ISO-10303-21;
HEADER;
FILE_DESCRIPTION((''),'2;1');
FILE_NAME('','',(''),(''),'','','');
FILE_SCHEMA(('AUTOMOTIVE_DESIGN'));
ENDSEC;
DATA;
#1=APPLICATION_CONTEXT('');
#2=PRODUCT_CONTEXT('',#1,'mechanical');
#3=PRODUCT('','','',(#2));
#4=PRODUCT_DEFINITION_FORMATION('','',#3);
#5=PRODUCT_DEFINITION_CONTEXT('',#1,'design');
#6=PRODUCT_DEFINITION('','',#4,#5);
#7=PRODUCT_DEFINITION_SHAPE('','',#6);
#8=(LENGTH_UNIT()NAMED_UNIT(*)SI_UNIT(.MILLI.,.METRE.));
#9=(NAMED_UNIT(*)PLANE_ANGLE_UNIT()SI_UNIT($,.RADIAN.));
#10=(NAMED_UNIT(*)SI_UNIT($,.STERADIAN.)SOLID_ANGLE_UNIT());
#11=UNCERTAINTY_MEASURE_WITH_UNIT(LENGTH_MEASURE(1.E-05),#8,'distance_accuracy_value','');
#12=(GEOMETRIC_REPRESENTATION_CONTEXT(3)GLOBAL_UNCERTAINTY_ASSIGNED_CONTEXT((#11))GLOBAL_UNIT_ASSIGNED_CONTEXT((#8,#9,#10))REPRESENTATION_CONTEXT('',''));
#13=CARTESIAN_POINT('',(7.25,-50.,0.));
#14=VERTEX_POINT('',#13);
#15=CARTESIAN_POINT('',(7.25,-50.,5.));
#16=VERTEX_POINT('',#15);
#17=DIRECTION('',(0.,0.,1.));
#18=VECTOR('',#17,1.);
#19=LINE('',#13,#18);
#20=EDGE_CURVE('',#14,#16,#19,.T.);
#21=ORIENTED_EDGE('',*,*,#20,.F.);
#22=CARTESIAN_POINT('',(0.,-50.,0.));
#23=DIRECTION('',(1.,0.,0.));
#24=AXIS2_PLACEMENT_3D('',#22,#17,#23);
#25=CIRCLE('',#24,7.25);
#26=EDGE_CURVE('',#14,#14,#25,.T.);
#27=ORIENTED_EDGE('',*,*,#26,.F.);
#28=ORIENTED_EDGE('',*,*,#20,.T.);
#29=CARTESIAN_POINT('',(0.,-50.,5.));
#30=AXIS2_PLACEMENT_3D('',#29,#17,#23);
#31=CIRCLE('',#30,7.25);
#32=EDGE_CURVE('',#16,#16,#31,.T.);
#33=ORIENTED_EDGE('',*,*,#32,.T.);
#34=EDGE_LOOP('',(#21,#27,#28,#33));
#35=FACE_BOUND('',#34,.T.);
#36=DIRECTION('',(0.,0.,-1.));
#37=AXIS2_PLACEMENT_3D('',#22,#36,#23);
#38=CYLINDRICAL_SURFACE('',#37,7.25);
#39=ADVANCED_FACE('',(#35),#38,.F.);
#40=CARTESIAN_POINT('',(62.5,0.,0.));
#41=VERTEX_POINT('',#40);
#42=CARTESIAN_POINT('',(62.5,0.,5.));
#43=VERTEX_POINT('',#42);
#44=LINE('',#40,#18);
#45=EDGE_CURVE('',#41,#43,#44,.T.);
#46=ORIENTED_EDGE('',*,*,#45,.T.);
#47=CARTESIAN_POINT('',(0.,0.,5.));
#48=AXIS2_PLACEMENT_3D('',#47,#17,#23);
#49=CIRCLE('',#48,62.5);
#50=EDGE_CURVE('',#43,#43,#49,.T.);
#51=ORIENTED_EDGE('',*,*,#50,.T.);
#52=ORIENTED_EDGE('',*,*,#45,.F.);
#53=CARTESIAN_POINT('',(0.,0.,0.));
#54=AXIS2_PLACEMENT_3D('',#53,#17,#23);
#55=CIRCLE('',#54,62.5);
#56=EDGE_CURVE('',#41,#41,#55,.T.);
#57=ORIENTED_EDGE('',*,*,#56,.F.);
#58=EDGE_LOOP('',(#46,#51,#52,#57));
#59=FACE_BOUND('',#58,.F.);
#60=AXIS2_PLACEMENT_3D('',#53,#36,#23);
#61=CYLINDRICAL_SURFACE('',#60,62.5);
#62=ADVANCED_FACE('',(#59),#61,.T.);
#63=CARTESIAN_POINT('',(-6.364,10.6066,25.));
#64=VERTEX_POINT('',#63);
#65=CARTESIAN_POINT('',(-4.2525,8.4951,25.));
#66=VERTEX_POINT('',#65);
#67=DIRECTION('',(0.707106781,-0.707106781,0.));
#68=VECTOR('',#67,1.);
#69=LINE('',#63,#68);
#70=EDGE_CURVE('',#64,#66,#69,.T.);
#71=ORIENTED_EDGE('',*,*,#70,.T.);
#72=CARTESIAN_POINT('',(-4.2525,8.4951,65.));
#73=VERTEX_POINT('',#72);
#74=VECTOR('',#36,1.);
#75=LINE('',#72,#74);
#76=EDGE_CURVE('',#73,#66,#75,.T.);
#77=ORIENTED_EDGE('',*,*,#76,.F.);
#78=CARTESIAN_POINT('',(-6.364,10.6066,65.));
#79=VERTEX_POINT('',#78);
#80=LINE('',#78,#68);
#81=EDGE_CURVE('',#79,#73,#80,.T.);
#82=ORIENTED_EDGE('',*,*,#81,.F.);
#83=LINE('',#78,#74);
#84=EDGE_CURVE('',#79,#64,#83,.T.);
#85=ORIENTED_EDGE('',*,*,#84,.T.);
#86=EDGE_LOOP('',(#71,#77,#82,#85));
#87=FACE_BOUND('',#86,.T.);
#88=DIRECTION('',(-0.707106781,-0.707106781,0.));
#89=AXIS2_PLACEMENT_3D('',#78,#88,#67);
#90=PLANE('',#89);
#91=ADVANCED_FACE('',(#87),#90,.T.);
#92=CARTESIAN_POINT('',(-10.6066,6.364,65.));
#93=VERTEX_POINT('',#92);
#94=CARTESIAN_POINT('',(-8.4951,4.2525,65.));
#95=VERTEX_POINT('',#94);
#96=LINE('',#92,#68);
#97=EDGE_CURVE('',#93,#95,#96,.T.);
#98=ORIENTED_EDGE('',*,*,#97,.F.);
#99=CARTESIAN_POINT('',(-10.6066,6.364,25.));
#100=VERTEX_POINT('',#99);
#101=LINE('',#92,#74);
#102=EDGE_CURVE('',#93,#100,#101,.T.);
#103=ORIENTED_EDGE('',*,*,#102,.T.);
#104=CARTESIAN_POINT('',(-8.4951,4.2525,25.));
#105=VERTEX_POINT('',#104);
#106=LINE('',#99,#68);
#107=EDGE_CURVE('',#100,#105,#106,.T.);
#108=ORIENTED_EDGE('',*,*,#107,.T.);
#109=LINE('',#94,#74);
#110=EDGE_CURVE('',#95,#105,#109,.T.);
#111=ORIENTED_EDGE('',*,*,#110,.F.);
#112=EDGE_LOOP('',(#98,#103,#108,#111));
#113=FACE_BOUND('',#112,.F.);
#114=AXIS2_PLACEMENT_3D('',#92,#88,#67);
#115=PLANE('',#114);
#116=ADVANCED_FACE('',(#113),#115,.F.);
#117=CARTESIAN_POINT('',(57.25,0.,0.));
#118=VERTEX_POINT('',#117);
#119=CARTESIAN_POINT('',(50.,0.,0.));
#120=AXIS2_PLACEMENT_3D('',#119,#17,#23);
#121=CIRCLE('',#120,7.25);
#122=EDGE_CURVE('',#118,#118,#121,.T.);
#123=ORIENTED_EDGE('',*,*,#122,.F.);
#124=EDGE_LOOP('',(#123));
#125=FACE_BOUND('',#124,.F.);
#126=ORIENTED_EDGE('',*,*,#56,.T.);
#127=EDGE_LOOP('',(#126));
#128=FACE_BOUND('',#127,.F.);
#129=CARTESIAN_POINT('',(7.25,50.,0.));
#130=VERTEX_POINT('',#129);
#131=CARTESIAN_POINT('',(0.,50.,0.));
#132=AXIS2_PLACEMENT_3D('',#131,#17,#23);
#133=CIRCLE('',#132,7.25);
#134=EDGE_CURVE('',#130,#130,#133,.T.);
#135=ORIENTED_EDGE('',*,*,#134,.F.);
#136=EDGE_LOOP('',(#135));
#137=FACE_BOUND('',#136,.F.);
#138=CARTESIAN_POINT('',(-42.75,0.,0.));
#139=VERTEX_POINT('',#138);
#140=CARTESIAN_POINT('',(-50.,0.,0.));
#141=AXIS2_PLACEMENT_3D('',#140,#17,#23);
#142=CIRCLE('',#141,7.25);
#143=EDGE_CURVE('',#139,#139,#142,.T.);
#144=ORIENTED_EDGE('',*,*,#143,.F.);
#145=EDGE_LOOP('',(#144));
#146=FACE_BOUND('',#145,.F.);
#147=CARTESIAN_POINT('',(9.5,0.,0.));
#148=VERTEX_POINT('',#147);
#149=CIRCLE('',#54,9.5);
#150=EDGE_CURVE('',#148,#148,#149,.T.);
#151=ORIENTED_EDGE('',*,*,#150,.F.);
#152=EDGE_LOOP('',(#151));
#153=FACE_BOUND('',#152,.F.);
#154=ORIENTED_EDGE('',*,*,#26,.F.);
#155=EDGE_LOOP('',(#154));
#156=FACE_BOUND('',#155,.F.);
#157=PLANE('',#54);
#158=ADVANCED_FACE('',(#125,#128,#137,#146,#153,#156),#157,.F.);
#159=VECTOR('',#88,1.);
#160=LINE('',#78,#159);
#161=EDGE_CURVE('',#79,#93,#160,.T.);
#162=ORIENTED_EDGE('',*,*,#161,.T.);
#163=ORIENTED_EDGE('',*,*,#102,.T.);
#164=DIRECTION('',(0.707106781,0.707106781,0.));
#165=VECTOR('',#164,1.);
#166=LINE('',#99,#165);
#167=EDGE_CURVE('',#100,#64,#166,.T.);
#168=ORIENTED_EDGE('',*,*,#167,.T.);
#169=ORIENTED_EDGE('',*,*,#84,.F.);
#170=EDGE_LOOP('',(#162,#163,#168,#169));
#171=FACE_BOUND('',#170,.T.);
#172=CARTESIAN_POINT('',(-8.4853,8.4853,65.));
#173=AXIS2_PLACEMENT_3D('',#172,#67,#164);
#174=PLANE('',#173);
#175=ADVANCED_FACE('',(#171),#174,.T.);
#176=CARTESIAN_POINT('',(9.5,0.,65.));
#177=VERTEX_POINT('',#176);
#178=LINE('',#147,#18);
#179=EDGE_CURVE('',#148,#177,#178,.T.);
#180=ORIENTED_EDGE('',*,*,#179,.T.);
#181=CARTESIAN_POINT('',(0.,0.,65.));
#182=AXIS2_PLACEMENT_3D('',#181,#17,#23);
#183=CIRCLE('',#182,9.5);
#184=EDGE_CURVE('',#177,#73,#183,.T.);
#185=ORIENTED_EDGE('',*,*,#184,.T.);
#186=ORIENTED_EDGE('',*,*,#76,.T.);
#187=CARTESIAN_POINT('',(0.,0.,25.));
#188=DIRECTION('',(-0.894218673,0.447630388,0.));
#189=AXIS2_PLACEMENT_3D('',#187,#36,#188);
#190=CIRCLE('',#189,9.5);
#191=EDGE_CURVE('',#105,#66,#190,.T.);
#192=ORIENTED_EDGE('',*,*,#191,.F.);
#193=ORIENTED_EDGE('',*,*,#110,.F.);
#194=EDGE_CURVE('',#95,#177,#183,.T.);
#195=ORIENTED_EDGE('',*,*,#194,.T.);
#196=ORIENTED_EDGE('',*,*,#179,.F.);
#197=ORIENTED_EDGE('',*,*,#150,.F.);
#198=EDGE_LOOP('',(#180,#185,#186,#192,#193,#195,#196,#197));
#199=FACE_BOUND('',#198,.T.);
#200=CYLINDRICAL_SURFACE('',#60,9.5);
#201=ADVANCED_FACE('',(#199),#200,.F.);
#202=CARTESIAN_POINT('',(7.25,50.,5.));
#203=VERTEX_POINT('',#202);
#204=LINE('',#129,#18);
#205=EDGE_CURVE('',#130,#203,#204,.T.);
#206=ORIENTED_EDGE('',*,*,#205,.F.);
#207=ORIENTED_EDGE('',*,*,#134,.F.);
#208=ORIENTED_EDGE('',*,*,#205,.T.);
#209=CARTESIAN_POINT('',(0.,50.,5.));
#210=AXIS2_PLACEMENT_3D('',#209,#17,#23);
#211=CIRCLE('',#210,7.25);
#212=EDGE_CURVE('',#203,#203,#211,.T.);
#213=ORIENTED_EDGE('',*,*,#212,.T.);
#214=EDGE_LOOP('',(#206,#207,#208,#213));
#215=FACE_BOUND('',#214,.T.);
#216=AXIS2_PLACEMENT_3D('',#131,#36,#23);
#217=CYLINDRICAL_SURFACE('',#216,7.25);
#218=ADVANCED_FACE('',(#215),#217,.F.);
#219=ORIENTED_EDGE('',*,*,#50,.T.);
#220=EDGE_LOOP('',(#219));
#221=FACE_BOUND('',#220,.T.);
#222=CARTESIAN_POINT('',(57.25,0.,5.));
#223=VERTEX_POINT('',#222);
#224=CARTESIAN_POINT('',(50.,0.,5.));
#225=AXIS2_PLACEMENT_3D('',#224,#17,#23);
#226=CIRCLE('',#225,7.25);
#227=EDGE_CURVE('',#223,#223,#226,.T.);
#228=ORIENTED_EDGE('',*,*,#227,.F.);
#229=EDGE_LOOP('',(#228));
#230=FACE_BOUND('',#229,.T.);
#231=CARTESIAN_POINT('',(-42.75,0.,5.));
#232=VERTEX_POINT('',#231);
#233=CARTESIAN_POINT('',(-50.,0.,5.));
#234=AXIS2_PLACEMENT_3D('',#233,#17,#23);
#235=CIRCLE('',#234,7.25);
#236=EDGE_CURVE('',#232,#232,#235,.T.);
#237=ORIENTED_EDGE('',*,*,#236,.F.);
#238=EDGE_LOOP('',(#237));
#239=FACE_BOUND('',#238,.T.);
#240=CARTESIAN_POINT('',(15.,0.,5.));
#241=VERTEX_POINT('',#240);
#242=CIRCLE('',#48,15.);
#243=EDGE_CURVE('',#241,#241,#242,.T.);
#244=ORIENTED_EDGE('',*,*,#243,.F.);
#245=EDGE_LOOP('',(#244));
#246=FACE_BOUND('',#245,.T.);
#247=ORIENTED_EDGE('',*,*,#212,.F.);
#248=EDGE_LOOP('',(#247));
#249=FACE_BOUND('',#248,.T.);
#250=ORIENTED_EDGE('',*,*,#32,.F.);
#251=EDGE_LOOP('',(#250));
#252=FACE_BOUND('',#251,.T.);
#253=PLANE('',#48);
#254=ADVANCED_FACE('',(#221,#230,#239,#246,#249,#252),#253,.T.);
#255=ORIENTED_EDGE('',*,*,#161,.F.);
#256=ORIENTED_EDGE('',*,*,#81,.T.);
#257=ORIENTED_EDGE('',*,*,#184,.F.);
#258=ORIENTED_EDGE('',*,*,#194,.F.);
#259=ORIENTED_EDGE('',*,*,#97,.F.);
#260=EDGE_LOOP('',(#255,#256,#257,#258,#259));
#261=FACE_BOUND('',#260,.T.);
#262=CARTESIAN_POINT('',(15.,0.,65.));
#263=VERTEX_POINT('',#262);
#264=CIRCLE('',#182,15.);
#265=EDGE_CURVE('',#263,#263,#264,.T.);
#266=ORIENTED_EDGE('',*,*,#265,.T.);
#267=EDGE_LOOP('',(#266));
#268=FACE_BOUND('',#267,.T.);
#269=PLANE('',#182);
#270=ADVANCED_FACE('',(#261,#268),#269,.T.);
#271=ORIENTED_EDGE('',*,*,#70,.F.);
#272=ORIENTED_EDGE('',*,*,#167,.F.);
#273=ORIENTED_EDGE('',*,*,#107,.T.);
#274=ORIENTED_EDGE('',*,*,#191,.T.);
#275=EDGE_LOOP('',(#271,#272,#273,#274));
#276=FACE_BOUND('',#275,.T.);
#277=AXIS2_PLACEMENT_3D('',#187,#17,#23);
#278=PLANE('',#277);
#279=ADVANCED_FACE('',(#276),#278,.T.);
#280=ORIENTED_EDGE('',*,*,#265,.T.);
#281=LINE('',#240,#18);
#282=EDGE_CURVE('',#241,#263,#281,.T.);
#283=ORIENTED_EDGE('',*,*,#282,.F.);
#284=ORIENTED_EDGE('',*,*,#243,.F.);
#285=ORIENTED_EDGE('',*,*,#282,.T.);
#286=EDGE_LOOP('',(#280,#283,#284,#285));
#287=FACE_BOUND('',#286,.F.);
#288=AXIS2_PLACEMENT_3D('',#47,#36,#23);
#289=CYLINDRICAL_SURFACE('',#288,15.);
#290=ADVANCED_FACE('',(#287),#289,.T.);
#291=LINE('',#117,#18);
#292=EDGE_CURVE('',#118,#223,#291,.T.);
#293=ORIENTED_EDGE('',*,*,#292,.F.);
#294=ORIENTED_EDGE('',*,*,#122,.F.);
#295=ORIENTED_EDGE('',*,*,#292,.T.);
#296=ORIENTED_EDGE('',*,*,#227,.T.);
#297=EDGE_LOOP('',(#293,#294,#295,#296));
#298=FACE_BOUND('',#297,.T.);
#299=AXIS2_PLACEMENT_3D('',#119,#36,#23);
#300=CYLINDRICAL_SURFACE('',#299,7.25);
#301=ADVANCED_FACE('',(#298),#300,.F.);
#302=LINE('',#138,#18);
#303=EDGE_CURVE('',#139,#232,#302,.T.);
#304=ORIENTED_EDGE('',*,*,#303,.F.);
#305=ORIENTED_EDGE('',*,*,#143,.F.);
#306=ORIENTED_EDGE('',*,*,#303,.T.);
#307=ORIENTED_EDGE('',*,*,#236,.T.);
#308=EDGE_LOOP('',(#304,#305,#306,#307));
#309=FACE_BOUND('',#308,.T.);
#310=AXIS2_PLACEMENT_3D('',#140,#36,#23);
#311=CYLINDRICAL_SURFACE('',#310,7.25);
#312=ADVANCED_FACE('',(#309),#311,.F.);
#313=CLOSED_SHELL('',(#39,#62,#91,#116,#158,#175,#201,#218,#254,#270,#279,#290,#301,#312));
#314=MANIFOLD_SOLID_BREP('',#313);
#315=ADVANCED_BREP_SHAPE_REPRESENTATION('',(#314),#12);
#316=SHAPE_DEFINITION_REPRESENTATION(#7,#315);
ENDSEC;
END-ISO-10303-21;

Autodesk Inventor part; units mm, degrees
ref_plane "YZ Plane" through (0, 0, 0) normal (1, 0, 0) x (0, 1, 0)
ref_plane "XZ Plane" through (0, 0, 0) normal (0, 1, 0) x (-1, 0, 0)
ref_plane "XY Plane" through (0, 0, 0) normal (0, 0, 1) x (1, 0, 0)
sketch "Sketch1" plane through (0, 0, 0) normal (0, 0, 1) x (1, 0, 0)
  circle A0 centre (0, 0) radius 50 construction
  circle A1 centre (0, 50) radius 7.25
  circle A2 centre (-50, 0) radius 7.25
  circle A3 centre (0, -50) radius 7.25
  circle A4 centre (50, 0) radius 7.25
  circle A5 centre (0, 0) radius 15 construction
  circle A6 centre (0, 0) radius 62.5
  circle A7 centre (0, 0) radius 9.5
  dimension "d0" = 100
  dimension "d1" = 14.5
  dimension "d4" = 360
  dimension "d6" = 30
  dimension "d7" = 125
  dimension "d8" = 19
extrude "Extrusion1" add sketch "Sketch1" along normal blind 5
sketch "Sketch2" plane through (0, 0, 5) normal (0, 0, 1) x (1, 0, 0)
  circle A0 centre (0, 0) radius 15
  circle A1 centre (0, 0) radius 9.5 projected
  dimension "d11" = 30
extrude "Extrusion2" add sketch "Sketch2" along normal blind 60
sketch "Sketch3" plane through (0, 0, 65) normal (0, 0, 1) x (1, 0, 0)
  circle A0 centre (0, 0) radius 15 projected
  circle A1 centre (0, 0) radius 9.5 projected
  line L0 (6.7175, -6.7175) -> (-8.4853, 8.4853)
  line L1 (-8.4853, 8.4853) -> (-10.6066, 6.364)
  line L2 (-10.6066, 6.364) -> (-8.4951, 4.2525)
  line L3 (-8.4853, 8.4853) -> (-6.364, 10.6066)
  line L4 (-6.364, 10.6066) -> (-4.2525, 8.4951)
  dimension "d14" = 21.5
  dimension "d15" = 3
  dimension "d16" = 3
extrude "Extrusion3" cut sketch "Sketch3" against normal blind 40 contours A1 L0 L3 L4 | A1 L2 L1 L0
properties part number "wheelFlangeMotor"
